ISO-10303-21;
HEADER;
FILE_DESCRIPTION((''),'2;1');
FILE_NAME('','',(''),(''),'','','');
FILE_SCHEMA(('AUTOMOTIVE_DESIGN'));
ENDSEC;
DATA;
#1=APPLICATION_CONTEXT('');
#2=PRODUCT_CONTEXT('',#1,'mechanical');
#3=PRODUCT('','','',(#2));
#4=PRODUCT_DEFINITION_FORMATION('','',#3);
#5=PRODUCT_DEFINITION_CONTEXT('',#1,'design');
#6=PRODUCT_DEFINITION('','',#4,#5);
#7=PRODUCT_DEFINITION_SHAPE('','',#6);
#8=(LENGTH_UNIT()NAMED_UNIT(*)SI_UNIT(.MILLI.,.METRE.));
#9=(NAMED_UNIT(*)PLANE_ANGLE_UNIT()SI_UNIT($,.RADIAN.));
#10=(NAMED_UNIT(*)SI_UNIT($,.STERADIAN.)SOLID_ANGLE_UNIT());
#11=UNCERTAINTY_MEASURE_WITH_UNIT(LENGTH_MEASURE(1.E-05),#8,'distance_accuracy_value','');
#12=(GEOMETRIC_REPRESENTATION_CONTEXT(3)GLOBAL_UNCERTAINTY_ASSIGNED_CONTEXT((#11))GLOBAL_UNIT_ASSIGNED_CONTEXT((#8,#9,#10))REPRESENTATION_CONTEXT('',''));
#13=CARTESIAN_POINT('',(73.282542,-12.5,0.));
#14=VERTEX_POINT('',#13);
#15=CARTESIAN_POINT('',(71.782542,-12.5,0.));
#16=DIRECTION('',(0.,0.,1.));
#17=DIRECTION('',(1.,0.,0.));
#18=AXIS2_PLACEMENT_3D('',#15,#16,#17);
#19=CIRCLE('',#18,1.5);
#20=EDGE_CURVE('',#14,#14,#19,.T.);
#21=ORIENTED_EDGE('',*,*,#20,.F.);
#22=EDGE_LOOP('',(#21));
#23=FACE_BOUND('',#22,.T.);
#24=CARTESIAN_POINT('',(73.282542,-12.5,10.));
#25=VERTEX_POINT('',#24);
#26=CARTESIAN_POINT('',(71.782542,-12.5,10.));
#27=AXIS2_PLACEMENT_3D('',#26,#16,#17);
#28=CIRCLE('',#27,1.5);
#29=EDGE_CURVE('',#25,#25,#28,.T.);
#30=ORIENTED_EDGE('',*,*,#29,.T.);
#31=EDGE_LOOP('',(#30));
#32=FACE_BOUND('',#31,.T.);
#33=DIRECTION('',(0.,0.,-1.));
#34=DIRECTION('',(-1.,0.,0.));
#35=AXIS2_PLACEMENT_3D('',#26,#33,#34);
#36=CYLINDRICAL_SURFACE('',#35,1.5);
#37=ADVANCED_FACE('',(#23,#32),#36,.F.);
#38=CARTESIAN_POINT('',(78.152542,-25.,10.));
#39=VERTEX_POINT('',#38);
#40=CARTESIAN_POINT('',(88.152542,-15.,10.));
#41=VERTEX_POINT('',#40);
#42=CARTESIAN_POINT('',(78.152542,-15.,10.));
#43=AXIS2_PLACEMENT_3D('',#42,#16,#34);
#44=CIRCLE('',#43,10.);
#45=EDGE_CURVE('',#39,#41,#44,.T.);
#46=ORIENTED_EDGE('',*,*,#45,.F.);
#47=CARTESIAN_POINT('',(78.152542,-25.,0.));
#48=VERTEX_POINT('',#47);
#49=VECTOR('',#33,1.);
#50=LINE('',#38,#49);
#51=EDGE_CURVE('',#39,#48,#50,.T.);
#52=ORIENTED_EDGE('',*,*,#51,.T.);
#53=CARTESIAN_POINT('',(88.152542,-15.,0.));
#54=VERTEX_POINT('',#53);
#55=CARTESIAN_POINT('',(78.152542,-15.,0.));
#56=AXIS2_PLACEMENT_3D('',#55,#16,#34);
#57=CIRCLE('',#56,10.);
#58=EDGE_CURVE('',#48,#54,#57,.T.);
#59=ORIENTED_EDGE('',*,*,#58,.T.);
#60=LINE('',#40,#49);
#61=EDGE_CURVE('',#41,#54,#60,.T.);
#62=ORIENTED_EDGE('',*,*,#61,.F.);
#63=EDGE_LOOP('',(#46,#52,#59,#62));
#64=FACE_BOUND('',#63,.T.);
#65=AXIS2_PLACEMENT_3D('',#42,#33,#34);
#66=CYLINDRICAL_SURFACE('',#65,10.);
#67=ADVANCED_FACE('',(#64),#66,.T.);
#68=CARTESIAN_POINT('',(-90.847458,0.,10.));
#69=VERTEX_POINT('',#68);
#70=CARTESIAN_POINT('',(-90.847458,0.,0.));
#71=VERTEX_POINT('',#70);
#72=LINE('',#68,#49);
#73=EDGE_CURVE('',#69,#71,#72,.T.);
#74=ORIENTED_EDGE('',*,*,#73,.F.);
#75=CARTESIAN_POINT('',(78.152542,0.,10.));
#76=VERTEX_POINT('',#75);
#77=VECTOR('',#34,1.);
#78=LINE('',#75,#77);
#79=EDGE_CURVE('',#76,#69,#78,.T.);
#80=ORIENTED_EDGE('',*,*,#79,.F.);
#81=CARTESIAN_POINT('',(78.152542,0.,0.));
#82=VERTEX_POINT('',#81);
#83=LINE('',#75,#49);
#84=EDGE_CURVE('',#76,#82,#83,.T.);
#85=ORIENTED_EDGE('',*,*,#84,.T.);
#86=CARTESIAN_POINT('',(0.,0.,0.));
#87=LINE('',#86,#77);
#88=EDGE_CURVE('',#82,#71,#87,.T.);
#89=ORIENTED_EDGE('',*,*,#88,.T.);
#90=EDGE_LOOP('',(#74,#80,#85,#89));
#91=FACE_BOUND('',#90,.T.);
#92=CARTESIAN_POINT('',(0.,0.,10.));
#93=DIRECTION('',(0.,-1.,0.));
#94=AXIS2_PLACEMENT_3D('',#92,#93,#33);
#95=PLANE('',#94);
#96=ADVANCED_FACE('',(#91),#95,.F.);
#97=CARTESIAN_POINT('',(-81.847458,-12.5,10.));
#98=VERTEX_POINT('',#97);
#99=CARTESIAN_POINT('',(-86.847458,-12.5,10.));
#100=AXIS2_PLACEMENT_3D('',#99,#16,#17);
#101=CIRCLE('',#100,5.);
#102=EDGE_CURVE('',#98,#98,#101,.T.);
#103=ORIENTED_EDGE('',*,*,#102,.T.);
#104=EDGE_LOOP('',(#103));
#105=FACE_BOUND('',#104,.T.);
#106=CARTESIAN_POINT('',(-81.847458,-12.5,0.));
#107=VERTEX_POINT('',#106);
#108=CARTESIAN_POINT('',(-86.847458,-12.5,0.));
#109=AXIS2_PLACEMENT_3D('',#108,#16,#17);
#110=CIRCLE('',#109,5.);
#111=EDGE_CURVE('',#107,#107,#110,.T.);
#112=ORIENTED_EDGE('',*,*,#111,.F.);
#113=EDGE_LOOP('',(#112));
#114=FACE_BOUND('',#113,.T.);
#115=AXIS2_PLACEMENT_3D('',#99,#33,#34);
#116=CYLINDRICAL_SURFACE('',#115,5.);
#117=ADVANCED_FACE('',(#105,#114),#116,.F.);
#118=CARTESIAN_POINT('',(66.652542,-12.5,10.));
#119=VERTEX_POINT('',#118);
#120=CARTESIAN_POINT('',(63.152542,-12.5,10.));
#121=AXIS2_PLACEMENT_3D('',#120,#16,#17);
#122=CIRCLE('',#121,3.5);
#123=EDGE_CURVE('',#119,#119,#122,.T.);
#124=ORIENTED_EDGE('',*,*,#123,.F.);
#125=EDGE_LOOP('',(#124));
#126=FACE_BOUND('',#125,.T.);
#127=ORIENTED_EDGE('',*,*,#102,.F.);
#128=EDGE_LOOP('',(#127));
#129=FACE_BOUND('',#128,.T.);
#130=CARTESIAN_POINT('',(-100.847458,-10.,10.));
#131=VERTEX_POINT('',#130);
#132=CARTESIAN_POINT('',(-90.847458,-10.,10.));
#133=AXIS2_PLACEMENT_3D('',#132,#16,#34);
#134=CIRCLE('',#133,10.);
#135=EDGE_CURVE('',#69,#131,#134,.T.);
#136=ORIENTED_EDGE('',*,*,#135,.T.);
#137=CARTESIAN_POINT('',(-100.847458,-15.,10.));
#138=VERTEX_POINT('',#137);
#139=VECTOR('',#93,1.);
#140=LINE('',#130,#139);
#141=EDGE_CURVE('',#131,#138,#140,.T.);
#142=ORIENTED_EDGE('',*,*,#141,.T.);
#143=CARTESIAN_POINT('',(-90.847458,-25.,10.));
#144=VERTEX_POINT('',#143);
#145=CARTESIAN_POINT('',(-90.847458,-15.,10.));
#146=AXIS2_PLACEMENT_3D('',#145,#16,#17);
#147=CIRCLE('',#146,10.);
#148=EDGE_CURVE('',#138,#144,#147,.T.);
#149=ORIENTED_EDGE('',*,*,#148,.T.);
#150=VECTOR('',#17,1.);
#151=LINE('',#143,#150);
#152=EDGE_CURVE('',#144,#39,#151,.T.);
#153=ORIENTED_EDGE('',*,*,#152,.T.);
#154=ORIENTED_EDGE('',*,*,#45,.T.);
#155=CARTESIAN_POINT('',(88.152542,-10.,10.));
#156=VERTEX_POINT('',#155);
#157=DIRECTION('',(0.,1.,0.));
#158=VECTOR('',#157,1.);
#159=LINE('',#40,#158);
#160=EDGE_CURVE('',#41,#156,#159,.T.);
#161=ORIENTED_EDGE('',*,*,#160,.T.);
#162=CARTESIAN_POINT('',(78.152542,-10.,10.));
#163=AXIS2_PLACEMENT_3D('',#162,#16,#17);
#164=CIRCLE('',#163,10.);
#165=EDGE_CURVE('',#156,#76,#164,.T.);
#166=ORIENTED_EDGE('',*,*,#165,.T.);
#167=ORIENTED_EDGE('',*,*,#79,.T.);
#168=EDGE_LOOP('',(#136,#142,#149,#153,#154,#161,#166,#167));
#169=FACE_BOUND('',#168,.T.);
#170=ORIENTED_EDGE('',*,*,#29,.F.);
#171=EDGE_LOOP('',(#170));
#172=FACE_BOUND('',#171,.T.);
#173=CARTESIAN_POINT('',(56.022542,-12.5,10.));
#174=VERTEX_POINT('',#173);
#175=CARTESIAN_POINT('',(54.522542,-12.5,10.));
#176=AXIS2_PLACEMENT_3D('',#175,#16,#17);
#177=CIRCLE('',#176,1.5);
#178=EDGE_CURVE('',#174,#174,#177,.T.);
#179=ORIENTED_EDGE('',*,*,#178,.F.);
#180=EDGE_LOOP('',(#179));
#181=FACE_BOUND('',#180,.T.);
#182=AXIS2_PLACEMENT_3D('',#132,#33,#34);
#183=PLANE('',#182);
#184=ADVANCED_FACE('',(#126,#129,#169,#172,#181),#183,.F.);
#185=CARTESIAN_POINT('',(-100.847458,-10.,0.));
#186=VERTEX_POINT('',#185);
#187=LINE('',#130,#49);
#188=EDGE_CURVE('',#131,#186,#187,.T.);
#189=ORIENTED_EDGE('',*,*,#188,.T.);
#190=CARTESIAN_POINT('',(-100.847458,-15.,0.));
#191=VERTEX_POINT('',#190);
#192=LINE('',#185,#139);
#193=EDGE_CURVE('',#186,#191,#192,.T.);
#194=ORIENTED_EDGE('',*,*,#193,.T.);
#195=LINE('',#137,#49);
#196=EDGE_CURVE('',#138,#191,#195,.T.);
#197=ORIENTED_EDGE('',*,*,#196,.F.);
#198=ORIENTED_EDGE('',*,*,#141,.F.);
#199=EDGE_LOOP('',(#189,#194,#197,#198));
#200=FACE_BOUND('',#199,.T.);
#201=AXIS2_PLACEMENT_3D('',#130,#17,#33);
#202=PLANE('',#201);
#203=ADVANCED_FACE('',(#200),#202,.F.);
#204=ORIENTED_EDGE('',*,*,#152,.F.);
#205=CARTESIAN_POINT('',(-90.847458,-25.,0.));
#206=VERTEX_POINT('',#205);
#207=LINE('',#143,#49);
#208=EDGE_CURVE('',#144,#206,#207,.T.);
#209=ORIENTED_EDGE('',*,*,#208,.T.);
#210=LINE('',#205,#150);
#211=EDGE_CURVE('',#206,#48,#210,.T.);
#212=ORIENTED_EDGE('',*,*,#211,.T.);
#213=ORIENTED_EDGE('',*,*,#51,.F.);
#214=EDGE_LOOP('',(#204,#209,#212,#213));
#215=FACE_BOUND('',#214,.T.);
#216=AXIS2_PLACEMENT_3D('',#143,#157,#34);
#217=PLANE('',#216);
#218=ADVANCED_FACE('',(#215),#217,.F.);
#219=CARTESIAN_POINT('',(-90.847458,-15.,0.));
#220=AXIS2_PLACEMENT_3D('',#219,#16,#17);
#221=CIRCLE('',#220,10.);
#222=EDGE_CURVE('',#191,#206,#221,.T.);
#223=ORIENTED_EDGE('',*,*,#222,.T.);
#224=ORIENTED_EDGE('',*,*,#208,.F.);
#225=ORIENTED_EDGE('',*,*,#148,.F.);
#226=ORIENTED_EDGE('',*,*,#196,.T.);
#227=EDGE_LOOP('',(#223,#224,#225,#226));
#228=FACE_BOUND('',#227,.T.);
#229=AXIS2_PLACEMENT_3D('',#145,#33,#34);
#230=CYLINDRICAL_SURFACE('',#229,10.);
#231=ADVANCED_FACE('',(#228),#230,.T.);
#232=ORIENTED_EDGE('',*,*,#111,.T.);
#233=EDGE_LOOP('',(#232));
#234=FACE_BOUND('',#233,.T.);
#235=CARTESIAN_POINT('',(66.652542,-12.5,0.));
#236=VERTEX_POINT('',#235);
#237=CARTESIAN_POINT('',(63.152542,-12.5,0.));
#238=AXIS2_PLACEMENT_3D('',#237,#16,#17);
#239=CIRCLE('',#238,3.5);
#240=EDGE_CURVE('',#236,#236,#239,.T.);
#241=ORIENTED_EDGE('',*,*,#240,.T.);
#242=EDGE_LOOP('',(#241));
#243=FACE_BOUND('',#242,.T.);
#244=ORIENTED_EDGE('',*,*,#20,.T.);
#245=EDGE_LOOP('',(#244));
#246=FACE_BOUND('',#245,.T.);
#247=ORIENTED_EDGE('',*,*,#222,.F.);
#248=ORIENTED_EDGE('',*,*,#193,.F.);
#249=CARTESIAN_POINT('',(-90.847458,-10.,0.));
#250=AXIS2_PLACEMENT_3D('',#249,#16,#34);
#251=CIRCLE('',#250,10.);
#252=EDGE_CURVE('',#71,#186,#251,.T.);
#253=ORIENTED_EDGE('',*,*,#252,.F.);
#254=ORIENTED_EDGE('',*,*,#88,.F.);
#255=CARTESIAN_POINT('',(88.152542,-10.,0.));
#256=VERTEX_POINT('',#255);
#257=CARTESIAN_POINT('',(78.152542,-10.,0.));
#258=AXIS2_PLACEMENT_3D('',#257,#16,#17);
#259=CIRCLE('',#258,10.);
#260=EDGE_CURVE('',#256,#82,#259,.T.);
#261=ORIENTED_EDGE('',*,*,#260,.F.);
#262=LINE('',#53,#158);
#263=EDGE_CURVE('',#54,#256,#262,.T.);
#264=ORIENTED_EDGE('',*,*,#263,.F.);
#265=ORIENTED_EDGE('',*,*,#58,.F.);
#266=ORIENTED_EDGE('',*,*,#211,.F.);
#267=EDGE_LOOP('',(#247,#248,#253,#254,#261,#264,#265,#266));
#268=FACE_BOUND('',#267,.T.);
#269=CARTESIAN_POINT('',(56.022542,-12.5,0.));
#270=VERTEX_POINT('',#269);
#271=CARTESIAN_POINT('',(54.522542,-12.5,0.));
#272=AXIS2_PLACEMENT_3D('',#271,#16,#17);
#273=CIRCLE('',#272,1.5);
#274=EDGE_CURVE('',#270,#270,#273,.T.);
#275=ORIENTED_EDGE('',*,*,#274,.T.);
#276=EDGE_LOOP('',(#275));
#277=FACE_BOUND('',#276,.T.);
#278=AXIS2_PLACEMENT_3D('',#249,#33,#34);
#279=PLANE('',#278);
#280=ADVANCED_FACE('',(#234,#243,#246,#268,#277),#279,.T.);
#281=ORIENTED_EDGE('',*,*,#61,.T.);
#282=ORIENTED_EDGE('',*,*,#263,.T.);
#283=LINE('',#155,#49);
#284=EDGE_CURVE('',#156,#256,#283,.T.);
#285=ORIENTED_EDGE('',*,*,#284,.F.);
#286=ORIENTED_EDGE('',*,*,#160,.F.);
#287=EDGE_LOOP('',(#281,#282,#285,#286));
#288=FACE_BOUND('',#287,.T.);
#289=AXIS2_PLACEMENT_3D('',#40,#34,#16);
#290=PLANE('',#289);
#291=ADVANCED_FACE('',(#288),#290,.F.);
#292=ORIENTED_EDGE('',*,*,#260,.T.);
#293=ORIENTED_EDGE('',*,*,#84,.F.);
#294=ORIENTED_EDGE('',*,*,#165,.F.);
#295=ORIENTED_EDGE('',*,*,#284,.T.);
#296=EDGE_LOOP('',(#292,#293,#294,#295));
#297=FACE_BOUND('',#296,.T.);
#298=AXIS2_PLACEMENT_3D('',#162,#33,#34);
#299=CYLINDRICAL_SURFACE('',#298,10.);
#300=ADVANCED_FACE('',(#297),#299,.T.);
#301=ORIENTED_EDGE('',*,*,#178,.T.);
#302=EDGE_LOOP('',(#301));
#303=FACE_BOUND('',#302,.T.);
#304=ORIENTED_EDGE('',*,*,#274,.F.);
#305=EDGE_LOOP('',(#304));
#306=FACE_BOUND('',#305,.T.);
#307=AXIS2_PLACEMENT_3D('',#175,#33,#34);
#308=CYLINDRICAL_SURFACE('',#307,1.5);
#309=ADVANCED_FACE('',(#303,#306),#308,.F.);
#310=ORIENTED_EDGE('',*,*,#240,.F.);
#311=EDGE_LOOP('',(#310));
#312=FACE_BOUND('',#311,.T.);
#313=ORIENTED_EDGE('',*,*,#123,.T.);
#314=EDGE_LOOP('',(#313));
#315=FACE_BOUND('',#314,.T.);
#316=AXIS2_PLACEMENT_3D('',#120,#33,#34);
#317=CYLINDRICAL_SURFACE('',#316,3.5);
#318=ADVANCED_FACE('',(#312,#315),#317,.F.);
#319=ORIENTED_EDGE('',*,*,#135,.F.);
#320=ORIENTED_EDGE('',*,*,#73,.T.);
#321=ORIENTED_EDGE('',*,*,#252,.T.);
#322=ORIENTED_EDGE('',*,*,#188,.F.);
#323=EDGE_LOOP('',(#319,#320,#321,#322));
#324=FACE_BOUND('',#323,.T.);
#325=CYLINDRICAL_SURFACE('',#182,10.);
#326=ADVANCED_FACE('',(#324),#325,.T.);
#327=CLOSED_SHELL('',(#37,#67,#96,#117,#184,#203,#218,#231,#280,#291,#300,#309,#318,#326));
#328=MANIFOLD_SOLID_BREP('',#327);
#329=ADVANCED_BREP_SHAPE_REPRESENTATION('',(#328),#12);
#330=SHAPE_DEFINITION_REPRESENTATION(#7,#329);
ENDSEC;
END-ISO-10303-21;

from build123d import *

# Parameters (mm, degrees)
SKETCH1_R           = 5
SKETCH1_R_2         = 3.5
SKETCH1_R_3         = 1.5
BOSS_EXTRUDE1_DEPTH = 10


with BuildPart() as part:
    # Sketch1 → Boss-Extrude1 (new body)
    with BuildSketch(Plane.XY):
        with BuildLine():
            Line((0, 0), (-90.847457627, 0))
            ThreePointArc((-90.847457627, 0), (-97.918525439, -2.928932188), (-100.847457627, -10))
            Line((-100.847457627, -10), (-100.847457627, -15))
            ThreePointArc((-100.847457627, -15), (-97.918525439, -22.071067812), (-90.847457627, -25))
            Line((-90.847457627, -25), (78.152542373, -25))
            ThreePointArc((78.152542373, -25), (85.223610185, -22.071067812), (88.152542373, -15))
            Line((88.152542373, -15), (88.152542373, -10))
            ThreePointArc((88.152542373, -10), (85.223610185, -2.928932188), (78.152542373, 0))
            Line((78.152542373, 0), (0, 0))
        make_face()
        with Locations((-86.847457627, -12.5)):
            Circle(SKETCH1_R, mode=Mode.SUBTRACT)
        with Locations((63.152542373, -12.5)):
            Circle(SKETCH1_R_2, mode=Mode.SUBTRACT)
        with Locations((54.522542373, -12.5)):
            Circle(SKETCH1_R_3, mode=Mode.SUBTRACT)
        with Locations((71.782542373, -12.5)):
            Circle(SKETCH1_R_3, mode=Mode.SUBTRACT)
    extrude(amount=BOSS_EXTRUDE1_DEPTH)


solid = part.part
